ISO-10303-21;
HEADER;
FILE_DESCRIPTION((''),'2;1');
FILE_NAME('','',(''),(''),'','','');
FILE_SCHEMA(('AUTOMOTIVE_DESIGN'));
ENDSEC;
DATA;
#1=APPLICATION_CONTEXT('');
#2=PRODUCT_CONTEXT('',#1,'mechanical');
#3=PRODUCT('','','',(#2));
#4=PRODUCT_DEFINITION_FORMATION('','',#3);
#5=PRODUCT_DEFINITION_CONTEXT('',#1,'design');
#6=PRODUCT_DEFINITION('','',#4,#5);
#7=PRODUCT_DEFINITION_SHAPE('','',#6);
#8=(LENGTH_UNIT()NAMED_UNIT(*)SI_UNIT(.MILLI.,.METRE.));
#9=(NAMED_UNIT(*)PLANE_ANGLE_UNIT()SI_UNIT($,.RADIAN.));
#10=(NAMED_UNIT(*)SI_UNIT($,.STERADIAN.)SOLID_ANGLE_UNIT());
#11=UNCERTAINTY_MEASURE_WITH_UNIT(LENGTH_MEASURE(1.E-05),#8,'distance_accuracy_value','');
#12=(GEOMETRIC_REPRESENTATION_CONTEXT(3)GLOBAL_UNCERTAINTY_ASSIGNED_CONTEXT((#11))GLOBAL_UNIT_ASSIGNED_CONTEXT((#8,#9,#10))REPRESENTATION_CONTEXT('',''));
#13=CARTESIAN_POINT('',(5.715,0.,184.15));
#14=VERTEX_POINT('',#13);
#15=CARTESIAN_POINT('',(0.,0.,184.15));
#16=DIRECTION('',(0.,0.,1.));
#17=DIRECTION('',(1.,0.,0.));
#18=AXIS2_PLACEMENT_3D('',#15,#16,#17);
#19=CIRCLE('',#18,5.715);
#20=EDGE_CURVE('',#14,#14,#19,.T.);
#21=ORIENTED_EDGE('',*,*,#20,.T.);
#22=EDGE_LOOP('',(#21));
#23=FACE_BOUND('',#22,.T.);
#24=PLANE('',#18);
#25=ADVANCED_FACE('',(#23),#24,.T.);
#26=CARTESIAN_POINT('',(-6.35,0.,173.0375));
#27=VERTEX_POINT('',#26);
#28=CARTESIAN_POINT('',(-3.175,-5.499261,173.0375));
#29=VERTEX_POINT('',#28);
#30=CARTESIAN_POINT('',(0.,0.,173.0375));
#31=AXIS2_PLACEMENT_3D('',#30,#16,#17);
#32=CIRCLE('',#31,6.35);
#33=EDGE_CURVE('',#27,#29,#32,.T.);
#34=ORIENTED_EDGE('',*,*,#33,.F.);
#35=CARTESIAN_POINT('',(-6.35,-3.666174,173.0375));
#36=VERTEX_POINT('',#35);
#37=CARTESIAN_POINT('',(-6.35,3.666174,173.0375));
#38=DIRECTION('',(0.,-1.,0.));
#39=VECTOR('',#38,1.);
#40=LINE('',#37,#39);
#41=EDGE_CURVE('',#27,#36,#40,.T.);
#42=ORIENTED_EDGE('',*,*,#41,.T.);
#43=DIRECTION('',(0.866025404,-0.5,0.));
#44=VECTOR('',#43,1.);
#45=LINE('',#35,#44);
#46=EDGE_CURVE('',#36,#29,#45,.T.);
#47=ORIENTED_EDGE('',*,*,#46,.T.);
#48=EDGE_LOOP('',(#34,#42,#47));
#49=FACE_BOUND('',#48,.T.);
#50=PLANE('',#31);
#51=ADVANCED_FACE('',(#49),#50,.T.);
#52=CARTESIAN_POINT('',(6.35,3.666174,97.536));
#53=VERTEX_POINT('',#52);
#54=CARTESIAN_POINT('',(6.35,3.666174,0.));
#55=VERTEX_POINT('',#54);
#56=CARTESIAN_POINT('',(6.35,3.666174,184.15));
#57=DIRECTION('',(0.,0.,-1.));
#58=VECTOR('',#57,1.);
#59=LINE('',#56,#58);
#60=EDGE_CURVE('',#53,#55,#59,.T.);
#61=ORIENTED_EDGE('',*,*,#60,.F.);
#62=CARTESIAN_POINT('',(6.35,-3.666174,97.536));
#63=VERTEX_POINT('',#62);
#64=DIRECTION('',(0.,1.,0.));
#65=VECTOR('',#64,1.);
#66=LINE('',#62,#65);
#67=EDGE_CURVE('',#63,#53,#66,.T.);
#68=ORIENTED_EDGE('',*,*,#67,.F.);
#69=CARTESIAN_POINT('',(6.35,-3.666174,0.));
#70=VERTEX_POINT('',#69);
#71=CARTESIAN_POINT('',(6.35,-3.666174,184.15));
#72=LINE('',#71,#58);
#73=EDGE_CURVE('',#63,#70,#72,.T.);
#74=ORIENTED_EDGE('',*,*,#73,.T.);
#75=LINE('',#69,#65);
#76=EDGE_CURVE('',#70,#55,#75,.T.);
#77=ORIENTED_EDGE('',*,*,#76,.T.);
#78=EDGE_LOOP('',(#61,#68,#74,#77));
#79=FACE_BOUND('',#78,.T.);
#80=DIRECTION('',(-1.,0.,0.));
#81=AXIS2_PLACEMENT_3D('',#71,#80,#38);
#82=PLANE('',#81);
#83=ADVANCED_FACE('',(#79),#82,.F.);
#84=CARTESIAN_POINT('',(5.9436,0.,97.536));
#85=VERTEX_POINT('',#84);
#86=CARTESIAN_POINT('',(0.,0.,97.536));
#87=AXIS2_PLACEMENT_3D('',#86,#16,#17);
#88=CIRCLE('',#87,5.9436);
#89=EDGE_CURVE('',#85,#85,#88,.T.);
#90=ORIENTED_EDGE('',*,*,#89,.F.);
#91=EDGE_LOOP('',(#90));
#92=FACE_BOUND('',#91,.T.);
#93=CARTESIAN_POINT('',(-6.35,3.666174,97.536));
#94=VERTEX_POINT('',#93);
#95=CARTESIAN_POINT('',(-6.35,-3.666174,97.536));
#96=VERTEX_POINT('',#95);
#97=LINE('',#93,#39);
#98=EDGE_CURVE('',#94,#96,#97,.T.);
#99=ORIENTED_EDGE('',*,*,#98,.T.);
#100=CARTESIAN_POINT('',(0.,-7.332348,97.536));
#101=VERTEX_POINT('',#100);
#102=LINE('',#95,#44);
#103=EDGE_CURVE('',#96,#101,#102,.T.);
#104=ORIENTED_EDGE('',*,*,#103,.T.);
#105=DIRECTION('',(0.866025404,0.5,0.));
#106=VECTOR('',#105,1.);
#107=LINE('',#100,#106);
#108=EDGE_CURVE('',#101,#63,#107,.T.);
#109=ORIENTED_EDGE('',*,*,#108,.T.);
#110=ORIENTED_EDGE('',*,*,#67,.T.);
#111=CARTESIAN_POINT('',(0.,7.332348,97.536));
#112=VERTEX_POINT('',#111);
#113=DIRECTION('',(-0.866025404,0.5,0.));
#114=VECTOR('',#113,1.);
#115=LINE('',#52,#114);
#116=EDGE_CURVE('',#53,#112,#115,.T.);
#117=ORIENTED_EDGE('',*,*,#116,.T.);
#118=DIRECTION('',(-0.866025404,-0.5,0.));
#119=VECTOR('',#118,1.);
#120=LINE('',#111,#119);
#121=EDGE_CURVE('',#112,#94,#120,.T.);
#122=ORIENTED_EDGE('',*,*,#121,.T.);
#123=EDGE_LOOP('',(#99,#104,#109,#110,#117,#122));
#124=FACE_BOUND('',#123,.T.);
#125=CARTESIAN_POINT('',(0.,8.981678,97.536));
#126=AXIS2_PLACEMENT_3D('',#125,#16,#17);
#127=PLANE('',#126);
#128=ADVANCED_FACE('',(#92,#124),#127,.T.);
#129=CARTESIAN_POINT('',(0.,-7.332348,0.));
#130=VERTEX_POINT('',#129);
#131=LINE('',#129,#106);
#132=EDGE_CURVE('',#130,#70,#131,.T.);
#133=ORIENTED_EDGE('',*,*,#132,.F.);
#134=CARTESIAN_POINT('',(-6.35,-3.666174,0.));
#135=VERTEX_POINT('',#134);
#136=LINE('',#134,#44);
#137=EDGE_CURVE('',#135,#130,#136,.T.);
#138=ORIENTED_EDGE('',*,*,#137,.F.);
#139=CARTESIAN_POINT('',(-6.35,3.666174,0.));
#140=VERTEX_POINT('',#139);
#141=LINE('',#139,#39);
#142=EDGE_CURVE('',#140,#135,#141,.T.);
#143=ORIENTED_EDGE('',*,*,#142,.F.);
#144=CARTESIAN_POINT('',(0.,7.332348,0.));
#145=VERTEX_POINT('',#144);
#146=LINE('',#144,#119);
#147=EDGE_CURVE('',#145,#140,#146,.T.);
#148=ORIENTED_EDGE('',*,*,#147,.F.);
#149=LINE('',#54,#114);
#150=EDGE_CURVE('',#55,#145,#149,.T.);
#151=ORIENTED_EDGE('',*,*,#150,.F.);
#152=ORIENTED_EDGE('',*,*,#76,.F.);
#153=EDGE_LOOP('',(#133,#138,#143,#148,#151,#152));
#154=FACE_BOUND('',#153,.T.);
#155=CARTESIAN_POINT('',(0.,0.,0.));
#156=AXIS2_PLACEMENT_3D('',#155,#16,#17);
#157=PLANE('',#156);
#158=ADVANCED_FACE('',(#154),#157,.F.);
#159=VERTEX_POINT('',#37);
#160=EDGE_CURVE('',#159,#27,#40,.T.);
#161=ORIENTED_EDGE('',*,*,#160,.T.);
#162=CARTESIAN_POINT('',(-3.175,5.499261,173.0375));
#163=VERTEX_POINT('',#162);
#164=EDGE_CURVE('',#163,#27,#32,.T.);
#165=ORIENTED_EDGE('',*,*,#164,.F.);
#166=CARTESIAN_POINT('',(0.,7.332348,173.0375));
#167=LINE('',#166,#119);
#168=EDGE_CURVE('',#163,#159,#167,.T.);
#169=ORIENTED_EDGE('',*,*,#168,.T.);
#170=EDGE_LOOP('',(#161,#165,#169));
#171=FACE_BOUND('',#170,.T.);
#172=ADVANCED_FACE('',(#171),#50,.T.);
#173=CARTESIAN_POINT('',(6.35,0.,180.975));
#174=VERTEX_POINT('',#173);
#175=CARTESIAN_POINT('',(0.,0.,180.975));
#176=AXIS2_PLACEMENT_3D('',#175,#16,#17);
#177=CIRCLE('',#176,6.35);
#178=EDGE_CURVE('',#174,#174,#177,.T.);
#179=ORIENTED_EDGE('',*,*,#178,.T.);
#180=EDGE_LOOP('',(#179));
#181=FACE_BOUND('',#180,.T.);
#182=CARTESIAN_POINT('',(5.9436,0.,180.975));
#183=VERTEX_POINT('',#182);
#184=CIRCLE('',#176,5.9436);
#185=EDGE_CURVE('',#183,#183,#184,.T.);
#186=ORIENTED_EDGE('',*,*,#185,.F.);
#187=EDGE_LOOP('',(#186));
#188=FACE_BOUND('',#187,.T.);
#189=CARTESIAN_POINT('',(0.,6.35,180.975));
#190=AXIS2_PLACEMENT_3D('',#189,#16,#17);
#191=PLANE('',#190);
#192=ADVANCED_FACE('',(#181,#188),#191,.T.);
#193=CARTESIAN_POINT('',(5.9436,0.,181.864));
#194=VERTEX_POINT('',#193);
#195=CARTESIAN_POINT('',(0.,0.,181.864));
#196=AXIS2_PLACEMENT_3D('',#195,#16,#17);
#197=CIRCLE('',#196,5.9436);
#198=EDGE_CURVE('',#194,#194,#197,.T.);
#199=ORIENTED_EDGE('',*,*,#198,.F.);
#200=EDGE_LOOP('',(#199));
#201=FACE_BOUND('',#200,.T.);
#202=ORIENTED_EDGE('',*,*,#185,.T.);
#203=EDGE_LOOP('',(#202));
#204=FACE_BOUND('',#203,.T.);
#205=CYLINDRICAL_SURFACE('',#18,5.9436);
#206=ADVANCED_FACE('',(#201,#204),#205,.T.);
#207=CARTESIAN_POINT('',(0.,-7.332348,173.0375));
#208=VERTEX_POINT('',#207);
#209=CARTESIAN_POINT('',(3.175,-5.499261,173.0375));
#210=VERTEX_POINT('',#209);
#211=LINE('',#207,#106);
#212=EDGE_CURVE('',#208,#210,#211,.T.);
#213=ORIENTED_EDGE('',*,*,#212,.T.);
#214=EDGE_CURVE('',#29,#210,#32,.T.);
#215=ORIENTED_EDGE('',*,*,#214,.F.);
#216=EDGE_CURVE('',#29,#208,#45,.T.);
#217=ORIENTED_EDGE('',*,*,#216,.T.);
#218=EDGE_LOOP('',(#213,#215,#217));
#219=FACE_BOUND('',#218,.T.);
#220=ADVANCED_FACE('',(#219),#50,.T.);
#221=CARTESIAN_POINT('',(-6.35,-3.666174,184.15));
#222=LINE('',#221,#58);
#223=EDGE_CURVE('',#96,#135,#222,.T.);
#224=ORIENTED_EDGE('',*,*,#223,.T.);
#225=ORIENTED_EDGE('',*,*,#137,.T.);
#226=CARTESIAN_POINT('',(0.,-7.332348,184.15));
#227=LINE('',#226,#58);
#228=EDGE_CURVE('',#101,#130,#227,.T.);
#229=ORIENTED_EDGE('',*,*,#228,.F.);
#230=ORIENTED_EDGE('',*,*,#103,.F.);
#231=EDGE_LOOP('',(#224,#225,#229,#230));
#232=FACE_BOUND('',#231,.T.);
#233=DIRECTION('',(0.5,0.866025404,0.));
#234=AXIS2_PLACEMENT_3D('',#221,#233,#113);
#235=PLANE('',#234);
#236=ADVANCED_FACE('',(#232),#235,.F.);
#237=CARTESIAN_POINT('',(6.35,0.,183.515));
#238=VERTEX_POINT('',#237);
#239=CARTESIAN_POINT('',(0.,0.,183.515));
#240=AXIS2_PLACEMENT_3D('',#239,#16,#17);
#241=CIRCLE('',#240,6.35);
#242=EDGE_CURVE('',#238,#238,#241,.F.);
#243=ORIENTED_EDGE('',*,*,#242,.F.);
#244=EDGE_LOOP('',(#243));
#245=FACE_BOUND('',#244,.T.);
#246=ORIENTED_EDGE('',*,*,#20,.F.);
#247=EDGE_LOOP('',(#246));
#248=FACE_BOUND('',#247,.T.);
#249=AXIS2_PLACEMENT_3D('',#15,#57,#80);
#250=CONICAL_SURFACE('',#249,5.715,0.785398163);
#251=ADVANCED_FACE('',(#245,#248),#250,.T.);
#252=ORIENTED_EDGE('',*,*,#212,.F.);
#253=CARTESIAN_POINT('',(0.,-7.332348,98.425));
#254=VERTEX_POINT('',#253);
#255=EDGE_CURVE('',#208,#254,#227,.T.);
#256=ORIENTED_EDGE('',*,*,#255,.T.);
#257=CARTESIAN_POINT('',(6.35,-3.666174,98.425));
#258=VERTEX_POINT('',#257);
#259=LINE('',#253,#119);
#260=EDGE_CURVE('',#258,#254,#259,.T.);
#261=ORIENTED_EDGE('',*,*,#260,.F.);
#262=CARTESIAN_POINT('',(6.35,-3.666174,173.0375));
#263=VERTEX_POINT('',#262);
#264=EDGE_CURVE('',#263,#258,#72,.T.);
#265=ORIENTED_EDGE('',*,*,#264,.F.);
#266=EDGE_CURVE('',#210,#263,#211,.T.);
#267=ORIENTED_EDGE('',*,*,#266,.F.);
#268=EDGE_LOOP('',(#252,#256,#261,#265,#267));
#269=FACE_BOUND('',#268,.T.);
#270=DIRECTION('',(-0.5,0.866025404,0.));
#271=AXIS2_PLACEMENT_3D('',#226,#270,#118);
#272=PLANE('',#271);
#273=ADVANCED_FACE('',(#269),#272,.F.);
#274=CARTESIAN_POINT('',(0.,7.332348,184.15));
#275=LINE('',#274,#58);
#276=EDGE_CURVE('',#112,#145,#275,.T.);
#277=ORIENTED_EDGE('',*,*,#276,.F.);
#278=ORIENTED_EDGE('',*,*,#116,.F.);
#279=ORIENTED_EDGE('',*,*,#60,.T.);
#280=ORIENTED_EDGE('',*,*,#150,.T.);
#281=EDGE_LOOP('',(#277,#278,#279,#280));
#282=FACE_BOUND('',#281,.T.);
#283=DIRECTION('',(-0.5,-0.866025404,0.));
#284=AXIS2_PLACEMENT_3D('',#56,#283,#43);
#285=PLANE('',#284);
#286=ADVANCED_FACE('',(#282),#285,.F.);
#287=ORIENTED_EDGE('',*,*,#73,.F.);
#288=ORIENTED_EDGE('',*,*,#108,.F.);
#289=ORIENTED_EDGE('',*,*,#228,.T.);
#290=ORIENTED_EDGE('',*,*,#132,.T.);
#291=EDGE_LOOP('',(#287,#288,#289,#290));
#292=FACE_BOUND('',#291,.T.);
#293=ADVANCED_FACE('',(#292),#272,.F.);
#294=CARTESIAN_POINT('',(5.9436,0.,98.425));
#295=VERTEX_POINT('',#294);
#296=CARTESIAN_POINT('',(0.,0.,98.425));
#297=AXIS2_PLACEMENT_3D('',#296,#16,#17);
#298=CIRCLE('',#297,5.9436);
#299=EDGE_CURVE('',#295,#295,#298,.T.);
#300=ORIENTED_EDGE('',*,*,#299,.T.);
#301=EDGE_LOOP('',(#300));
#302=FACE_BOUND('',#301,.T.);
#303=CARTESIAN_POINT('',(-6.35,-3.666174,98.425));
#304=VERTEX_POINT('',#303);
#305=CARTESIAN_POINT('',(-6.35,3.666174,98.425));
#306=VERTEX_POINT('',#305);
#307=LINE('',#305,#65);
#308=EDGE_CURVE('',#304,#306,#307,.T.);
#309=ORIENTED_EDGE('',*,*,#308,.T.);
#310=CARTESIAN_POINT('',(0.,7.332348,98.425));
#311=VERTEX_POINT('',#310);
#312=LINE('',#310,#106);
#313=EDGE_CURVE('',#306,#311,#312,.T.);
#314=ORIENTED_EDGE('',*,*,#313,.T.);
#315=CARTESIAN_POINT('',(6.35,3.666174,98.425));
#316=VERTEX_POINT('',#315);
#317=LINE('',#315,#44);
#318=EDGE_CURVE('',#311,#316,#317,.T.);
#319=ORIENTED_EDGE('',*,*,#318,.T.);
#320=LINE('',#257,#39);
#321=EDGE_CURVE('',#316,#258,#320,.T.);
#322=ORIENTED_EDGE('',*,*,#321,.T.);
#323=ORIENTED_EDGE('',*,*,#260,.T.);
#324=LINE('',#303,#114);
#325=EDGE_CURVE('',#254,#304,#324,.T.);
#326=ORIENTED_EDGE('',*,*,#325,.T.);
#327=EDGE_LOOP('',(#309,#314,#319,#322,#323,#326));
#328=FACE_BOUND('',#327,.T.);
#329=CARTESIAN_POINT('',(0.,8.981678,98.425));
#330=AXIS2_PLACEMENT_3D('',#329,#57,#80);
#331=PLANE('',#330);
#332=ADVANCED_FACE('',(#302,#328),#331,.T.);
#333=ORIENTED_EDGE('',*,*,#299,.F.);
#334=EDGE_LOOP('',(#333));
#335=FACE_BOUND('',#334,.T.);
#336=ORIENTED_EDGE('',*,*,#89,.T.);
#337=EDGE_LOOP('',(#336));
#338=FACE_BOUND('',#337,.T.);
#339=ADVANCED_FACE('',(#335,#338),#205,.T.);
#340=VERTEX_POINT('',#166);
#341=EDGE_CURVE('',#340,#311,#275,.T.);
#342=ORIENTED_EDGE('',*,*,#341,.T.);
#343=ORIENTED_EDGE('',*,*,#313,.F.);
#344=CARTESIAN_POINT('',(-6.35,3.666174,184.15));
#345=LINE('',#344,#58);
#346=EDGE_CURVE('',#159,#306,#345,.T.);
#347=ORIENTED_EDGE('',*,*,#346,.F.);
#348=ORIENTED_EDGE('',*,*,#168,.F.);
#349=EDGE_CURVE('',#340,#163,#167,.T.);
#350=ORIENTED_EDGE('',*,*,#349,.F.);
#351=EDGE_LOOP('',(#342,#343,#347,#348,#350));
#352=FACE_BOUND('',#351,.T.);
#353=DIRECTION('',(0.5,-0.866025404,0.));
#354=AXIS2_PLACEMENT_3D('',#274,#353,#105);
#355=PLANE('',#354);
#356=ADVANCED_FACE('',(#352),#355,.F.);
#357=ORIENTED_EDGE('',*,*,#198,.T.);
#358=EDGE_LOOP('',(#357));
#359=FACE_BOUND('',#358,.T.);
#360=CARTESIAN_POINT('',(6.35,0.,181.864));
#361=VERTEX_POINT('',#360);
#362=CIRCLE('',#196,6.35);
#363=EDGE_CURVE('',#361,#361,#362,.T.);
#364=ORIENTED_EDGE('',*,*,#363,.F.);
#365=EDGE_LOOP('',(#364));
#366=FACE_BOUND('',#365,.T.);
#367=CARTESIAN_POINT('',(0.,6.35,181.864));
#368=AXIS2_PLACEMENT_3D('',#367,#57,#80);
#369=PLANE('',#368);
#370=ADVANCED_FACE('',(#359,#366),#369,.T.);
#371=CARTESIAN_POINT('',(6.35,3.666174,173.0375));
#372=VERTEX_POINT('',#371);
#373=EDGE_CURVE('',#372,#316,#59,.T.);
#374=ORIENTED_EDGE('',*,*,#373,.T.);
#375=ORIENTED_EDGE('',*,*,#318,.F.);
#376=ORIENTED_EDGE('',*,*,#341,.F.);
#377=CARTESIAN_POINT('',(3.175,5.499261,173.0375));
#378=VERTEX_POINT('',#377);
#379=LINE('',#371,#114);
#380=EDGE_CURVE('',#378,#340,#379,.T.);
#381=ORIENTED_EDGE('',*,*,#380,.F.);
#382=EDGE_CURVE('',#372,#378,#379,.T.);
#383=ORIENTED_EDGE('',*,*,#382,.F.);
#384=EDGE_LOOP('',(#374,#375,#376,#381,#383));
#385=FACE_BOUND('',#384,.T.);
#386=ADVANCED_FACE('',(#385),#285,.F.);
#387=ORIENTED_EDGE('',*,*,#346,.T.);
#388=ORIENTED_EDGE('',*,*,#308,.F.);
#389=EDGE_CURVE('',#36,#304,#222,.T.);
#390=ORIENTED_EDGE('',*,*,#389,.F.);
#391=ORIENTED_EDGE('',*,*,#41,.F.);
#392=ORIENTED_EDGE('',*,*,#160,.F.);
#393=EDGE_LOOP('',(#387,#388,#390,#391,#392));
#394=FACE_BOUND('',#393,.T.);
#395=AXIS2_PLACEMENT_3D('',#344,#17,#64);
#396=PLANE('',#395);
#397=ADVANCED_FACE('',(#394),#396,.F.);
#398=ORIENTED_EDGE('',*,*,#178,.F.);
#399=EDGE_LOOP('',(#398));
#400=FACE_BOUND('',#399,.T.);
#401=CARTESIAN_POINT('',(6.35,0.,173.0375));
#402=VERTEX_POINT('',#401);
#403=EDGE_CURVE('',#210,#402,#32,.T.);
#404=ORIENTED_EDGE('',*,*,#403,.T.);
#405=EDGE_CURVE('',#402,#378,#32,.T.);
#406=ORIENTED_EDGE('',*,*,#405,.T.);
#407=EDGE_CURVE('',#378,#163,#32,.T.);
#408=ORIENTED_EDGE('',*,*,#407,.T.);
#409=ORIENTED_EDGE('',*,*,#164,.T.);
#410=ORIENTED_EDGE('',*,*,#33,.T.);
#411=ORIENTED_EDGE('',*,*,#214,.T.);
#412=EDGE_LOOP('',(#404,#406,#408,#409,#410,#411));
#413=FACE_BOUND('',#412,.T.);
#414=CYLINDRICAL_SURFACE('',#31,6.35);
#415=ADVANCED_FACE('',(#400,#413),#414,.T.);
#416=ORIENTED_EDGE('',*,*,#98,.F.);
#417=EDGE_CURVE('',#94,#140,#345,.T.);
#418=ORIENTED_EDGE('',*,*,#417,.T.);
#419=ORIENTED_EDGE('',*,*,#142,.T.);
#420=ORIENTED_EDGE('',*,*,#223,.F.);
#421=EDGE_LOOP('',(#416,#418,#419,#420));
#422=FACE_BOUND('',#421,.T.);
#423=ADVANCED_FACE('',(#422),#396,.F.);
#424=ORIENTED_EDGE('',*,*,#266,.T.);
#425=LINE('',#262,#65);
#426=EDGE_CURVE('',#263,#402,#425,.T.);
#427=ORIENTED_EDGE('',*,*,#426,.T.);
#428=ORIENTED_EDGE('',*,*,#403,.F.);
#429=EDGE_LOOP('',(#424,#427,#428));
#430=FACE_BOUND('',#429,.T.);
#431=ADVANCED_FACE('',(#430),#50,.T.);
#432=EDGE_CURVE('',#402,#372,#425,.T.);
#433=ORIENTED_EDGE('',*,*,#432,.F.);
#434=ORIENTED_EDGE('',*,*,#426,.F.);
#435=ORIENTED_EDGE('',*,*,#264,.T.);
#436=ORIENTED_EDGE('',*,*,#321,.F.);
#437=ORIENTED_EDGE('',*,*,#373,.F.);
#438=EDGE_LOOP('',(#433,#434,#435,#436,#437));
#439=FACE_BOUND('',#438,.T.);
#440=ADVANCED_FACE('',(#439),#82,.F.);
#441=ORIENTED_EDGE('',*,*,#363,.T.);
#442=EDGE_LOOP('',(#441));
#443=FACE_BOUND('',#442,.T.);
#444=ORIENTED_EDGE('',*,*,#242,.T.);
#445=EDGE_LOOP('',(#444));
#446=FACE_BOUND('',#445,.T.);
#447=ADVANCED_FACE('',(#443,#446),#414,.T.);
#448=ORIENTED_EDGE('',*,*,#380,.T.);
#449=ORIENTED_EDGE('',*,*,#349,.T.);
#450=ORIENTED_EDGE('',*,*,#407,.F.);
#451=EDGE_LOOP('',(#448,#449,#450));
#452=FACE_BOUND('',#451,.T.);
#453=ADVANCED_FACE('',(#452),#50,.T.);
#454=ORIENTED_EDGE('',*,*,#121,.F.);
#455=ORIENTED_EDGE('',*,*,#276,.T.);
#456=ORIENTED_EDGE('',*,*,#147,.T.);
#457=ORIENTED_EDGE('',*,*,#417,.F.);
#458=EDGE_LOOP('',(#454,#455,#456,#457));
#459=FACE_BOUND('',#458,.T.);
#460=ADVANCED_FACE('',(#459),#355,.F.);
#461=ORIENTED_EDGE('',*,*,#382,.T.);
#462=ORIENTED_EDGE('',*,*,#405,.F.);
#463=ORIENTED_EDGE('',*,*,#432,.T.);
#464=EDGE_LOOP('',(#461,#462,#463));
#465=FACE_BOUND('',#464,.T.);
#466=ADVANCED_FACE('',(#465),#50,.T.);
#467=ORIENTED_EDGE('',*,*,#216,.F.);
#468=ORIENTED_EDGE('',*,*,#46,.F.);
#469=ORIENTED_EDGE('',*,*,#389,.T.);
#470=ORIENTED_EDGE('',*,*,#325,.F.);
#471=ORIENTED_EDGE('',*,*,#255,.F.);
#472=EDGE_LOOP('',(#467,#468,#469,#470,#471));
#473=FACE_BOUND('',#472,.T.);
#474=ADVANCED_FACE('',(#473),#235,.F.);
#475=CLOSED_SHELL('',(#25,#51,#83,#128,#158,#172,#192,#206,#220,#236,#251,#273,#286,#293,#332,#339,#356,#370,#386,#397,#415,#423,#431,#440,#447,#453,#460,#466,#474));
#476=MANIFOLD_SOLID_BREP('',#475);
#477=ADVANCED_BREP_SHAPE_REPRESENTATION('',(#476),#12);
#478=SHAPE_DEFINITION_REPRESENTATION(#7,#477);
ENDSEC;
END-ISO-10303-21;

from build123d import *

# Parameters (mm, degrees)
BOSS_EXTRUDE1_DEPTH = 184.15
SKETCH2_R           = 7.332348419
SKETCH2_R_2         = 6.35
CUT_EXTRUDE1_DEPTH  = 11.1125
SKETCH3_W           = 0.889
SKETCH3_H           = 0.4064
SKETCH3_H_2         = 3.038077808
CHAMFER1_SIZE       = 0.635


with BuildPart() as part:
    # Sketch1 → Boss-Extrude1 (new body)
    with BuildSketch(Plane.XY):
        Polygon((0, 7.332348419), (-6.35, 3.666174209), (-6.35, -3.666174209), (0, -7.332348419), (6.35, -3.666174209), (6.35, 3.666174209), align=None)
    extrude(amount=BOSS_EXTRUDE1_DEPTH)

    # Sketch2 → Cut-Extrude1 (cut)
    with BuildSketch(Plane.XY.offset(184.15)):
        Circle(SKETCH2_R)
        Circle(SKETCH2_R_2, mode=Mode.SUBTRACT)
    extrude(amount=-CUT_EXTRUDE1_DEPTH, mode=Mode.SUBTRACT)

    # Sketch3 → Cut-Revolve1 (revolve, cut)
    with BuildSketch(Plane(origin=(0, 0, 0), x_dir=(0, 0, -1), z_dir=(1, 0, 0)), mode=Mode.PRIVATE) as cut_revolve1_sk:
        with Locations((-181.4195, 6.1468)):
            Rectangle(SKETCH3_W, SKETCH3_H)
        with Locations((-97.9805, 7.462638904)):
            Rectangle(SKETCH3_W, SKETCH3_H_2)
    revolve(cut_revolve1_sk.sketch.rotate(Axis((0, 0, 184.15), (0, 0, -1)), 90), axis=Axis((0, 0, 184.15), (0, 0, -1)), mode=Mode.SUBTRACT)

    # Chamfer1
    chamfer1_edges = [part.edges().sort_by_distance(p)[0] for p in [
        (-6.35, 0, 184.15),
    ]]
    chamfer(chamfer1_edges, length=CHAMFER1_SIZE)


solid = part.part
